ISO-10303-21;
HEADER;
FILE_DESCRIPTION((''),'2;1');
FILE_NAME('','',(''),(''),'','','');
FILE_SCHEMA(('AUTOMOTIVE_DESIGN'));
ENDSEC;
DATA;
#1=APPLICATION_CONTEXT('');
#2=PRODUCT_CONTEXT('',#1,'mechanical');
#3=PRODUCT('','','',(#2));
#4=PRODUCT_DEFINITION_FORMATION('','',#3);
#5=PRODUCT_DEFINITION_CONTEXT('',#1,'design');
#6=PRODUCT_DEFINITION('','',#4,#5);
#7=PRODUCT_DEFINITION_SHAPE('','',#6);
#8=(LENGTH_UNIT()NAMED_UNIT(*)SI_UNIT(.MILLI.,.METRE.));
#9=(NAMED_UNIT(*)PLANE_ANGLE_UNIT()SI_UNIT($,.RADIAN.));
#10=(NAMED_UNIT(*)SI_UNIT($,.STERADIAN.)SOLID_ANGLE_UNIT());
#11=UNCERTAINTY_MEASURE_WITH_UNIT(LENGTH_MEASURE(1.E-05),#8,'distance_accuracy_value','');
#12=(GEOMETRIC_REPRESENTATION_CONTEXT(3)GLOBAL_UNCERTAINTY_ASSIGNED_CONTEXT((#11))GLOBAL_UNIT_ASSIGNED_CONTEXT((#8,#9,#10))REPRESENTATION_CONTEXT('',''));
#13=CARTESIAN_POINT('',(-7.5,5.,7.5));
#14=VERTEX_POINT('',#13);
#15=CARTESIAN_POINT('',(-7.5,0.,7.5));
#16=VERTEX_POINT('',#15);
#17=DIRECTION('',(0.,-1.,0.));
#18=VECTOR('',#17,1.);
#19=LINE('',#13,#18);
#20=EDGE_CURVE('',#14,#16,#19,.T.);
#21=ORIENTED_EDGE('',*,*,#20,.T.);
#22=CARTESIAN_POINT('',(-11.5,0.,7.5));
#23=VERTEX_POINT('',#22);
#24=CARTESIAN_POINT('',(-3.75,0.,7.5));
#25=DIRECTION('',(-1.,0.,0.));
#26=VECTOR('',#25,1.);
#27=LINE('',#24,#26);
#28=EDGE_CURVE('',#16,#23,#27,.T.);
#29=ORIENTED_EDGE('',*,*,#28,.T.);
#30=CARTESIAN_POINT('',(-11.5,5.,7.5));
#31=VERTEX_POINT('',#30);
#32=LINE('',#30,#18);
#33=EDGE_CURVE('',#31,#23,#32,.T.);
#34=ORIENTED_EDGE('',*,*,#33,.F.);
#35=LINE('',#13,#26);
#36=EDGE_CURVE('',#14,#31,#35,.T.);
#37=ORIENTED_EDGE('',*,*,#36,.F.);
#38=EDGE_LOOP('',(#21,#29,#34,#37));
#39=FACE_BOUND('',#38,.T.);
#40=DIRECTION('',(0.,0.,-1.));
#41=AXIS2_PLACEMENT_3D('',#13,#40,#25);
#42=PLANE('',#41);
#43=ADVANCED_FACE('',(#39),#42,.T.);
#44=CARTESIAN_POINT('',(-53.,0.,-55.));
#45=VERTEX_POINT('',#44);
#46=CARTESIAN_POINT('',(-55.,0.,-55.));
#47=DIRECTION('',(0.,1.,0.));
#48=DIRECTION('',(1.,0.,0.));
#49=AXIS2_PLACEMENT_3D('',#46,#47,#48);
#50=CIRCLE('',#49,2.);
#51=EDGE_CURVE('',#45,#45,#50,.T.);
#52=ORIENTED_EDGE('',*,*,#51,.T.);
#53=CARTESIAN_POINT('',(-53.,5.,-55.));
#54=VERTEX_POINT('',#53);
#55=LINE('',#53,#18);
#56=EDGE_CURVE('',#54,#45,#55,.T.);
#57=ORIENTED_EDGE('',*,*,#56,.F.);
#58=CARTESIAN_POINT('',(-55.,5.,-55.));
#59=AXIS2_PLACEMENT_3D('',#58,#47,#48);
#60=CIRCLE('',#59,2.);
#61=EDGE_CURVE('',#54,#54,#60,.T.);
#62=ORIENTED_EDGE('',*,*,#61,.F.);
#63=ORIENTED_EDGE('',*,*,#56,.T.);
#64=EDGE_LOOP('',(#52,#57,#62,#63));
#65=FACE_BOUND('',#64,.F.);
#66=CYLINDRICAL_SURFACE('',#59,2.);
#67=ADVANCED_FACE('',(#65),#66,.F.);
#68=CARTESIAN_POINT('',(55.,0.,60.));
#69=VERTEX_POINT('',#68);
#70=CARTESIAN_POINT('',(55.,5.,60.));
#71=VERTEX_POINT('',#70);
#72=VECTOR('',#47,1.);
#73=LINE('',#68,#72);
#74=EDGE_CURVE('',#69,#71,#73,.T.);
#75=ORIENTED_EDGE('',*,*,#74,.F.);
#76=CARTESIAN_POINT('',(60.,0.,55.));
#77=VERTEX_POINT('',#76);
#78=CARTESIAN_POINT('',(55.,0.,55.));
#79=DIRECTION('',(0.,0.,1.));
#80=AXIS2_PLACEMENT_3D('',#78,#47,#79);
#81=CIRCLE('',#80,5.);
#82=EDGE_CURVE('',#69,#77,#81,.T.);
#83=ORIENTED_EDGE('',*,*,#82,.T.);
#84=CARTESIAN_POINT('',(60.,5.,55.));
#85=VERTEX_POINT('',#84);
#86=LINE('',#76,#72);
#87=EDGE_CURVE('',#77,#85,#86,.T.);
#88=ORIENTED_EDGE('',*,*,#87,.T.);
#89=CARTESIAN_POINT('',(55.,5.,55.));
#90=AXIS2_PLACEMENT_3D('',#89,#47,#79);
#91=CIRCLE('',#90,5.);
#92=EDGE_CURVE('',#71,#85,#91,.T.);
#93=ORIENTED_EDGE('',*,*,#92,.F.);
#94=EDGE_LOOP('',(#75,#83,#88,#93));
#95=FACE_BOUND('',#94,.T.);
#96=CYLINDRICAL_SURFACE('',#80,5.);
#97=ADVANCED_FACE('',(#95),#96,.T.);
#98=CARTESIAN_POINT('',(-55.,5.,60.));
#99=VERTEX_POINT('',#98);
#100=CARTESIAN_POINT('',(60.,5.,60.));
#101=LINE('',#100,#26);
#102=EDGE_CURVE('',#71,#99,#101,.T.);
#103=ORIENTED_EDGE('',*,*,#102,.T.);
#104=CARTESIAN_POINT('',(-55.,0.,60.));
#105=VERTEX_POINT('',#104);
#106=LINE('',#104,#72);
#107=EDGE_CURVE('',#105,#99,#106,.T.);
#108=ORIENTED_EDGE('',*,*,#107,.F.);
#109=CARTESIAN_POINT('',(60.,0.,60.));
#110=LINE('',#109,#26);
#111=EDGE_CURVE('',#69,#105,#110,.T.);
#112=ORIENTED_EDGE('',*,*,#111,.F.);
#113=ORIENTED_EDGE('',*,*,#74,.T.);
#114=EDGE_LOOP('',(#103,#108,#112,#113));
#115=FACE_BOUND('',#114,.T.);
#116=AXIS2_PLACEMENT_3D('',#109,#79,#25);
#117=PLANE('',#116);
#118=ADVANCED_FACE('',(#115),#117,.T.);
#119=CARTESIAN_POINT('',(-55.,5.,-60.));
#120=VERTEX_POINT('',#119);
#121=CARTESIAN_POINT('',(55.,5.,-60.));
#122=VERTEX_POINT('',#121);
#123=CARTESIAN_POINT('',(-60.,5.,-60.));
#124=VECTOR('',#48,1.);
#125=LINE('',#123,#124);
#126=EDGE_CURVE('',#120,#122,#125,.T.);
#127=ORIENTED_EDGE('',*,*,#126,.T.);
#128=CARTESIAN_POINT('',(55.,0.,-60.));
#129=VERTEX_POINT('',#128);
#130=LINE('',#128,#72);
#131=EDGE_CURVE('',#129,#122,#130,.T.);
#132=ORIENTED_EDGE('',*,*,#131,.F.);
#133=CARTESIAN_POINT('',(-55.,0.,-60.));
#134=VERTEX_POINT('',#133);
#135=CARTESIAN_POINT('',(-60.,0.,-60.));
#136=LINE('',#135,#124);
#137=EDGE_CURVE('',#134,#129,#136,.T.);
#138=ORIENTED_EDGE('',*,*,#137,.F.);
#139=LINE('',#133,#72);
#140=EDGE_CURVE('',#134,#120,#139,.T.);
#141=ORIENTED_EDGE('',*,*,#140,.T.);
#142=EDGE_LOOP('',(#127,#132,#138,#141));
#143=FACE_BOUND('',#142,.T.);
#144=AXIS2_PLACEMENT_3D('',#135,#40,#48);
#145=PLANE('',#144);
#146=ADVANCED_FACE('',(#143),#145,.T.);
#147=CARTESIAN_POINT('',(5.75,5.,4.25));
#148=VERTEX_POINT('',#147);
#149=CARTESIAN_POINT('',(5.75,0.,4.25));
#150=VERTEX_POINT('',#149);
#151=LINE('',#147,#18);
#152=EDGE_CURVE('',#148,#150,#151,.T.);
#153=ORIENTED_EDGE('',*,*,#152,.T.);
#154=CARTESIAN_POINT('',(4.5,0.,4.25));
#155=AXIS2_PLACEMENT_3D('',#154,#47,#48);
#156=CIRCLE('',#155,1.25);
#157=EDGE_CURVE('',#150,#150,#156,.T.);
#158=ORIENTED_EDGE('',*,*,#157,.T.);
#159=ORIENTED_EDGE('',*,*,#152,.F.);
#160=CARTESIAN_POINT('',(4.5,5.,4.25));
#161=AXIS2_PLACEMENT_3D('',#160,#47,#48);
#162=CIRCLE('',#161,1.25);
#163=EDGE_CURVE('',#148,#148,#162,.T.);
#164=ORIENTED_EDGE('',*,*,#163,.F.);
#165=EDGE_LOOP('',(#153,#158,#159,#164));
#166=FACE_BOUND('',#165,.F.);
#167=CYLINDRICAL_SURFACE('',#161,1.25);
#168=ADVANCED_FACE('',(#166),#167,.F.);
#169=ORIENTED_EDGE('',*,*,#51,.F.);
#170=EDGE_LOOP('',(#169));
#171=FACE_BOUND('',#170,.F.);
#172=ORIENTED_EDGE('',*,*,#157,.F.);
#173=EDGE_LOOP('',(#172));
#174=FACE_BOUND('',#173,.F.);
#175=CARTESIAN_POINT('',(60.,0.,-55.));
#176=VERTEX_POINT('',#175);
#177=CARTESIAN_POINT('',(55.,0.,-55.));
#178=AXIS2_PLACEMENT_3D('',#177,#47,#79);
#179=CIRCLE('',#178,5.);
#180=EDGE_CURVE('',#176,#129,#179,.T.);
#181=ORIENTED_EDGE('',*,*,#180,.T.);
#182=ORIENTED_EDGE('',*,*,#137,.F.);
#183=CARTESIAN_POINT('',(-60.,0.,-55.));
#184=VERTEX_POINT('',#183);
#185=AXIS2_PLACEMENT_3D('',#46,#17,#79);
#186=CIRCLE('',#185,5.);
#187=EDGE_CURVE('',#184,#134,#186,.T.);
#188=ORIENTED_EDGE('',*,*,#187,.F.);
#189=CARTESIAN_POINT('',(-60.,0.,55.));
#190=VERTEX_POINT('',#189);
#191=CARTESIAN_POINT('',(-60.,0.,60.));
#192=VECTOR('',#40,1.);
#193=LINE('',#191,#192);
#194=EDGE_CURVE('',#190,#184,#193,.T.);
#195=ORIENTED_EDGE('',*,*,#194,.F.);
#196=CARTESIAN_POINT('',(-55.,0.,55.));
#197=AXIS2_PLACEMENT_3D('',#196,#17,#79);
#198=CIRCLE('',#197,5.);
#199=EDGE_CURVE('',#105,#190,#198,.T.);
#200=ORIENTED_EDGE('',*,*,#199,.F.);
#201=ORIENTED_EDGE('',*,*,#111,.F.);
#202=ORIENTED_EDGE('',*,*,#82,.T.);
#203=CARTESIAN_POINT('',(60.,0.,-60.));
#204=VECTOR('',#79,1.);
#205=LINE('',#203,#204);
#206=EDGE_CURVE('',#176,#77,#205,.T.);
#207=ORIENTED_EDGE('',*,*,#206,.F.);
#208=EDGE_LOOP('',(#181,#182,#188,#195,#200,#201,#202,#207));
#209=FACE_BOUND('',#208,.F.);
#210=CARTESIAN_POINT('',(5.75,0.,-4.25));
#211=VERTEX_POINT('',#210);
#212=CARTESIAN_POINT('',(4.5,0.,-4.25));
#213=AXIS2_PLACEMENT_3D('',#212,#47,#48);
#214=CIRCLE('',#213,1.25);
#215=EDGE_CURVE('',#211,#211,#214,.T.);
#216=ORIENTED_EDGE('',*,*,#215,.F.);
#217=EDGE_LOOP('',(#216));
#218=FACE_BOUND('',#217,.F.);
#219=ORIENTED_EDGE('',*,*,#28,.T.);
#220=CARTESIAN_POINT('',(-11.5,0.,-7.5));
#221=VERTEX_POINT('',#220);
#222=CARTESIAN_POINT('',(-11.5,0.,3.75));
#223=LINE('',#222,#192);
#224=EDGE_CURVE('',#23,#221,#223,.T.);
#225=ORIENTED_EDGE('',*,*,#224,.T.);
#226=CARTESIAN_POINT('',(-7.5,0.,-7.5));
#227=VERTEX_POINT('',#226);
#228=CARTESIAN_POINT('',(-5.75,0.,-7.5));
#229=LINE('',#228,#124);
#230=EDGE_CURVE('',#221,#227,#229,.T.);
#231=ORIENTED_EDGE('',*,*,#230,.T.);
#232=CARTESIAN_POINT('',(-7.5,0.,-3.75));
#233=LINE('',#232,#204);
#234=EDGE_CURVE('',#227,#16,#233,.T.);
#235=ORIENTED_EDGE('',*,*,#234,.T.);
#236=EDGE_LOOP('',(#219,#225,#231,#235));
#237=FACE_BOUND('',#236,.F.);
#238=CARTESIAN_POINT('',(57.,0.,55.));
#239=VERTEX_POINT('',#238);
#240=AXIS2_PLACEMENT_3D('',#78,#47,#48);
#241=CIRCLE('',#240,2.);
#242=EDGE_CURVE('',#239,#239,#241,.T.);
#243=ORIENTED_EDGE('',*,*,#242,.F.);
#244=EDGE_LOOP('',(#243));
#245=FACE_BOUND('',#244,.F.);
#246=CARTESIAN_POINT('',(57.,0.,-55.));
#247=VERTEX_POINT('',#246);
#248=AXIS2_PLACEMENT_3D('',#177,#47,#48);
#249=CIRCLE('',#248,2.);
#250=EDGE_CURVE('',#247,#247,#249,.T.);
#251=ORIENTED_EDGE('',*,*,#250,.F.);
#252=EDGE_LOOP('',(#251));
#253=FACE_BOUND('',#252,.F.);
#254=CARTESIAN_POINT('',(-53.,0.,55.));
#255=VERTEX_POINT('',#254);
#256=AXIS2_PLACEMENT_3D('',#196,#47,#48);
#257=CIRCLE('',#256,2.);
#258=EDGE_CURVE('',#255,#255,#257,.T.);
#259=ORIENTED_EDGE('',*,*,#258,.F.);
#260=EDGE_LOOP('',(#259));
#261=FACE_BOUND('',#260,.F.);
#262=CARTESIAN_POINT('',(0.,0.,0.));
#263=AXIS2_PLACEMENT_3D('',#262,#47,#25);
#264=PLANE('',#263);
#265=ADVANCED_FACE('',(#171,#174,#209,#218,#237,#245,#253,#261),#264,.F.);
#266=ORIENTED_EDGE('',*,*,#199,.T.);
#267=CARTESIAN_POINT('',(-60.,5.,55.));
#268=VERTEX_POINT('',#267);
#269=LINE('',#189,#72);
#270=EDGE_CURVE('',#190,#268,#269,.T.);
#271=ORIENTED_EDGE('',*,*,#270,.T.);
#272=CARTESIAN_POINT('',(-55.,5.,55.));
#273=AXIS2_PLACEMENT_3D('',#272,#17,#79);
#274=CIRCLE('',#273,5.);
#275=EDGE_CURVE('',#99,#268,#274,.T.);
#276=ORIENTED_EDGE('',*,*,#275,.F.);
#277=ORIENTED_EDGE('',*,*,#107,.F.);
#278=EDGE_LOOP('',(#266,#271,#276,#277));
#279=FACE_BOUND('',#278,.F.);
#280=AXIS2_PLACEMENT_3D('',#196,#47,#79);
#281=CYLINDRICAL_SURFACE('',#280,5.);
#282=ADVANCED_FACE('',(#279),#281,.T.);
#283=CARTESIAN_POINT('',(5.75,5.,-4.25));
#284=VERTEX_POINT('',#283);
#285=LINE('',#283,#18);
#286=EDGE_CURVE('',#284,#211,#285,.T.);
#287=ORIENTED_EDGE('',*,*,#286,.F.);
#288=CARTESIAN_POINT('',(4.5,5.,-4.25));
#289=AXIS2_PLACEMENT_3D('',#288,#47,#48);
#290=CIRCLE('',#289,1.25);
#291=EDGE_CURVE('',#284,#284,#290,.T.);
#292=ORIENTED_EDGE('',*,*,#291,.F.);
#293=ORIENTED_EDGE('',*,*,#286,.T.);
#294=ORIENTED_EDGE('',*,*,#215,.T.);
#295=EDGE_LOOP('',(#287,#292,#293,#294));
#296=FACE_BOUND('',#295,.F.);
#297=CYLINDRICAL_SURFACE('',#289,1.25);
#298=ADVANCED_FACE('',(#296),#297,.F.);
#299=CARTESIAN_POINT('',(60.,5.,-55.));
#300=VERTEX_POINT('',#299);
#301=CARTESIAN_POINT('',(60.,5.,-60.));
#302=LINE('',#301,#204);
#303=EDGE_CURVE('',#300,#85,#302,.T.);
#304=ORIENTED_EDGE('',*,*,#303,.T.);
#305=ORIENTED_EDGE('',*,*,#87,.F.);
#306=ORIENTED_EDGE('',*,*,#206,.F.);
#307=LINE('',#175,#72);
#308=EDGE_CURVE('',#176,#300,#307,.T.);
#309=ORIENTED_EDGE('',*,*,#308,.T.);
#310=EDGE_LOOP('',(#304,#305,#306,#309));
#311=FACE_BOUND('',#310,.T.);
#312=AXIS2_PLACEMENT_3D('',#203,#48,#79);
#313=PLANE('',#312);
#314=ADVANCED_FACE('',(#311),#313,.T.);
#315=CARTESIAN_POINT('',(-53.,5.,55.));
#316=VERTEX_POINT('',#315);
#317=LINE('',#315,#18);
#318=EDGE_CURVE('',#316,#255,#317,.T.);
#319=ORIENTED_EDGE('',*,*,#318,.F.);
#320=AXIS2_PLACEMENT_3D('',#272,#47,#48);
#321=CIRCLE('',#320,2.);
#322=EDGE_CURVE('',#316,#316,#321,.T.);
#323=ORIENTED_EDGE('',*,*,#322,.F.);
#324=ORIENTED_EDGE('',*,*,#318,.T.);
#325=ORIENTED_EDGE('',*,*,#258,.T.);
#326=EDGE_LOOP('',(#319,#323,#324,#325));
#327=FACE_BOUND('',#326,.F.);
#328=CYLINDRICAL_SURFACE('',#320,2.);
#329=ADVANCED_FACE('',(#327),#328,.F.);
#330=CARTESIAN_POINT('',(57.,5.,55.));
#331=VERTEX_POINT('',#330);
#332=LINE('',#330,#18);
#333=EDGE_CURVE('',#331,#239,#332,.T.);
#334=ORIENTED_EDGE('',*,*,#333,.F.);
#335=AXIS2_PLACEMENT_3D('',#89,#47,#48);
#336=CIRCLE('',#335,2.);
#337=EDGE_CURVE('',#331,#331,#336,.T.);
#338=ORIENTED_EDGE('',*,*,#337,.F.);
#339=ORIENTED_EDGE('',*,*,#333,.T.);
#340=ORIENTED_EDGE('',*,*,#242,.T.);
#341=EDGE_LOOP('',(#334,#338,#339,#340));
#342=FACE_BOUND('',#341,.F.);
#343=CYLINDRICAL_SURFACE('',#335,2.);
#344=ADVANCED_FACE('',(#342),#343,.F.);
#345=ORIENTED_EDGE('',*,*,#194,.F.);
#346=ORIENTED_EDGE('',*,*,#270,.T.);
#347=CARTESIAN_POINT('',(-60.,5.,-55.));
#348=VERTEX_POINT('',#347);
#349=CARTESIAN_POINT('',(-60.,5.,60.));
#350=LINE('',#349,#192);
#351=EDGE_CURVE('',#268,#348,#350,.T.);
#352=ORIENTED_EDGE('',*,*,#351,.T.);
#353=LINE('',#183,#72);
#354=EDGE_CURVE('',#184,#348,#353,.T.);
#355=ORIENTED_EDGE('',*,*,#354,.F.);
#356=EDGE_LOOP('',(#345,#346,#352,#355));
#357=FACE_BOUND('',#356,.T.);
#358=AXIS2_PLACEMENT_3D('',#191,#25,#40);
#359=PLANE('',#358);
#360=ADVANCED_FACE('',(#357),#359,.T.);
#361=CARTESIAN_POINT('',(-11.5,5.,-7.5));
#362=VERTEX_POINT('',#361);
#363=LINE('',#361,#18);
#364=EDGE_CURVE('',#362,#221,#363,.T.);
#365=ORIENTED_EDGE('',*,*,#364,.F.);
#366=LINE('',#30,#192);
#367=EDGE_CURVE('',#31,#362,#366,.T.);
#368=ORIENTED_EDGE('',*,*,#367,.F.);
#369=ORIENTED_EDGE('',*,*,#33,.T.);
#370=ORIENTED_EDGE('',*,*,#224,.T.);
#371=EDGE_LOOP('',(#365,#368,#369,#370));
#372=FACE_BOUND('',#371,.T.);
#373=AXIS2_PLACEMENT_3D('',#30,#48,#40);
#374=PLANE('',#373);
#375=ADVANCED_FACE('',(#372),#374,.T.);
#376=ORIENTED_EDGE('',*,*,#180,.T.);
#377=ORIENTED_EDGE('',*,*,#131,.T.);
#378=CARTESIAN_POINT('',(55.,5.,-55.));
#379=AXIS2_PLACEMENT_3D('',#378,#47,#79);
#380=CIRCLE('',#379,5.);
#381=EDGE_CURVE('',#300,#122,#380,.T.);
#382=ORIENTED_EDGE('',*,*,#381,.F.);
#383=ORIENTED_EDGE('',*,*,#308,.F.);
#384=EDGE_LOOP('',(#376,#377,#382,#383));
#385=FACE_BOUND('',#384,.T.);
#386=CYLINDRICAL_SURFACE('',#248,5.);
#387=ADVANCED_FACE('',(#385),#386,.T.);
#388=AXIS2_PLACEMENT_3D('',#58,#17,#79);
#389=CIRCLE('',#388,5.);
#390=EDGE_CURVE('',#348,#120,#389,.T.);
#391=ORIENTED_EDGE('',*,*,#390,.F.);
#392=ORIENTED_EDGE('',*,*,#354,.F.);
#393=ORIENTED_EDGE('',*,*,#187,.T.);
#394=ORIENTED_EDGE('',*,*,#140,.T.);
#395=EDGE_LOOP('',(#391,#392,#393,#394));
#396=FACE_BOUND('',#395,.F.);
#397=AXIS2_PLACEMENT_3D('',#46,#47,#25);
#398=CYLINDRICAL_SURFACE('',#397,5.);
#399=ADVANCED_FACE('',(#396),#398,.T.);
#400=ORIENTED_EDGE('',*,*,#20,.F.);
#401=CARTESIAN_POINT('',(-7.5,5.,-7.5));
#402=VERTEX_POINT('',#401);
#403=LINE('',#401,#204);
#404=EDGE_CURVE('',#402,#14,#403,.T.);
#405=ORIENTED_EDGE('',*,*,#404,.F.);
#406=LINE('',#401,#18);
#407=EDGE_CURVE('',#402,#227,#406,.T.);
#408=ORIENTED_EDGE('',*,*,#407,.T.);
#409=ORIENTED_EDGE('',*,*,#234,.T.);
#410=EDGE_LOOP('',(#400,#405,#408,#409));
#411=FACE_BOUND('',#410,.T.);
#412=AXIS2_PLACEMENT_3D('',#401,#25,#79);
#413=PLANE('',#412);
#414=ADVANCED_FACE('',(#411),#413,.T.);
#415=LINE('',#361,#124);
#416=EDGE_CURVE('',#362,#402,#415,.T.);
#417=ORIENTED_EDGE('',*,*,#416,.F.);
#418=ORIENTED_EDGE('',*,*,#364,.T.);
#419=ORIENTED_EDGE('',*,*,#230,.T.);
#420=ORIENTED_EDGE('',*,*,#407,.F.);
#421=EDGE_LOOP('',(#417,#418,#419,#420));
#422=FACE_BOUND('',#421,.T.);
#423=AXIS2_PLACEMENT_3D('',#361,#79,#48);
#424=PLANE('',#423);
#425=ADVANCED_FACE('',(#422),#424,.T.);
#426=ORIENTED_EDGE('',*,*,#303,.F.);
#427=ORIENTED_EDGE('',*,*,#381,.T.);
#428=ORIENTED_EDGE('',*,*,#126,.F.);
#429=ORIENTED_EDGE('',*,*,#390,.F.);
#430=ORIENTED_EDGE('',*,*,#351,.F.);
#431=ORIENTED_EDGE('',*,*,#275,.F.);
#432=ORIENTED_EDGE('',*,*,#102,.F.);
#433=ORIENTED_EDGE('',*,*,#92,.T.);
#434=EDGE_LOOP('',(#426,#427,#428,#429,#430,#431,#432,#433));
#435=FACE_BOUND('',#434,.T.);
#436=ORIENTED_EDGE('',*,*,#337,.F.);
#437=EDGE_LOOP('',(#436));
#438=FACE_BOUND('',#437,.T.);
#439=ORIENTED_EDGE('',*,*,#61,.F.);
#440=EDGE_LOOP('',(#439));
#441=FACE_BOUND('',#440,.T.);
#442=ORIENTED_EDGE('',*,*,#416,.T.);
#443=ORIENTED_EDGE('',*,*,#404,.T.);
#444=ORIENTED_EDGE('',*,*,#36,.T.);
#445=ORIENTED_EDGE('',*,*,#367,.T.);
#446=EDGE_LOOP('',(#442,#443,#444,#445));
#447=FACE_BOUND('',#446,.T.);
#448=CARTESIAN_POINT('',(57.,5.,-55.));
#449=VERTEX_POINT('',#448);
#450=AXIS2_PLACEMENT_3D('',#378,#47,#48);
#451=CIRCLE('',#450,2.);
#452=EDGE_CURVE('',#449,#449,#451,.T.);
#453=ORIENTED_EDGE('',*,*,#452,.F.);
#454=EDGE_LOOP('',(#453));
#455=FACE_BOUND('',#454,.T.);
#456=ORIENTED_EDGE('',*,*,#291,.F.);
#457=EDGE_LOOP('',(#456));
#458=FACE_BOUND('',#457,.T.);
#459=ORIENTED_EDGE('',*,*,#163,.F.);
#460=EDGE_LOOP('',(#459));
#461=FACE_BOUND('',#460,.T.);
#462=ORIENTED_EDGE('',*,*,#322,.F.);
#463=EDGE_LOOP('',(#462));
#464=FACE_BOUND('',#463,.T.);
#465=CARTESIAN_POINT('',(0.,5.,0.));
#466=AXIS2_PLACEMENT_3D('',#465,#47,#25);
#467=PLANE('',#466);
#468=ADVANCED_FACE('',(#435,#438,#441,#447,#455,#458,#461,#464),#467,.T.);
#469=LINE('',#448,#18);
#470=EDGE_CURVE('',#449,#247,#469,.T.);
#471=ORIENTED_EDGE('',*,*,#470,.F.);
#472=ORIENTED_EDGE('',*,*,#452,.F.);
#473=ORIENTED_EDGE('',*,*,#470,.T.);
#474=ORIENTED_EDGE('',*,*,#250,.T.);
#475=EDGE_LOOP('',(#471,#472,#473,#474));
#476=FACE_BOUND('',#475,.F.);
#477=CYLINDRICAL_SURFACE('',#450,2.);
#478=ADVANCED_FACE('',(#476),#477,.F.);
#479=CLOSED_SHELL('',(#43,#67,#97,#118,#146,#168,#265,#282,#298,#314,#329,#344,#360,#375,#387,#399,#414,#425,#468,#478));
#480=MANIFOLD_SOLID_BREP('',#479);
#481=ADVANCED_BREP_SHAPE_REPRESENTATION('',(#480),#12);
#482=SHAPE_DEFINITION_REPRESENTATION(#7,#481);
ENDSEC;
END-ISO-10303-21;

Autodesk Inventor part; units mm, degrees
ref_plane "YZ Plane" through (0, 0, 0) normal (1, 0, 0) x (0, 1, 0)
ref_plane "XZ Plane" through (0, 0, 0) normal (0, 1, 0) x (-1, 0, 0)
ref_plane "XY Plane" through (0, 0, 0) normal (0, 0, 1) x (1, 0, 0)
sketch "Sketch1" plane through (0, 0, 0) normal (0, 1, 0) x (-1, 0, 0)
  line L0 (-60, 60) -> (60, 60)
  line L1 (60, 60) -> (60, -60)
  line L2 (60, -60) -> (-60, -60)
  line L3 (-60, -60) -> (-60, 60)
  line L4 (-60, 60) -> (60, -60) construction
  line L5 (60, 60) -> (-60, -60) construction
  point P0 (0, 0)
  dimension "d0" = 120
  dimension "d1" = 120
extrude "Extrusion1" add sketch "Sketch1" along normal blind 5
sketch "Sketch2" plane through (0, 5, 0) normal (0, 1, 0) x (1, 0, 0)
  line L0 (55, -55) -> (-55, -55) construction
  line L1 (-55, -55) -> (-55, 55) construction
  line L2 (-55, 55) -> (55, 55) construction
  line L3 (55, 55) -> (55, -55) construction
  line L4 (55, -55) -> (-55, 55) construction
  line L5 (-55, -55) -> (55, 55) construction
  circle A0 centre (-55, 55) radius 2
  circle A1 centre (-55, -55) radius 2
  circle A2 centre (55, 55) radius 2
  circle A3 centre (55, -55) radius 2
  point P0 (0, 0)
  dimension "d4" = 110
  dimension "d5" = 110
  dimension "d6" = 4
  dimension "d7" = 4
  dimension "d8" = 4
  dimension "d9" = 4
extrude "Extrusion2" cut sketch "Sketch2" against normal blind 5
fillet "Fillet1" radius 5 4 edges at (60, 2.5, -60) (60, 2.5, 60) (-60, 2.5, -60) (-60, 2.5, 60)
sketch "Sketch4" plane through (0, 5, 0) normal (0, 1, 0) x (1, 0, 0)
  line L0 (-11.5, 7.5) -> (-7.5, 7.5)
  line L1 (-7.5, 7.5) -> (-7.5, -7.5)
  line L2 (-7.5, -7.5) -> (-11.5, -7.5)
  line L3 (-11.5, -7.5) -> (-11.5, 7.5)
  line L4 (-11.5, 7.5) -> (-7.5, -7.5) construction
  line L5 (-7.5, 7.5) -> (-11.5, -7.5) construction
  circle A0 centre (4.5, 4.25) radius 1.25
  circle A1 centre (4.5, -4.25) radius 1.25
  point P0 (0, 0)
  point P1 (-9.5, 0)
  dimension "d14" = 4
  dimension "d15" = 15
  dimension "d16" = 9.5
  dimension "d17" = 14
  dimension "d18" = 14
  dimension "d19" = 2.5
  dimension "d20" = 2.5
  dimension "d21" = 8.5
  dimension "d22" = 4.25
extrude "Extrusion3" cut sketch "Sketch4" against normal blind 10
properties part number "Calibration Arena"
